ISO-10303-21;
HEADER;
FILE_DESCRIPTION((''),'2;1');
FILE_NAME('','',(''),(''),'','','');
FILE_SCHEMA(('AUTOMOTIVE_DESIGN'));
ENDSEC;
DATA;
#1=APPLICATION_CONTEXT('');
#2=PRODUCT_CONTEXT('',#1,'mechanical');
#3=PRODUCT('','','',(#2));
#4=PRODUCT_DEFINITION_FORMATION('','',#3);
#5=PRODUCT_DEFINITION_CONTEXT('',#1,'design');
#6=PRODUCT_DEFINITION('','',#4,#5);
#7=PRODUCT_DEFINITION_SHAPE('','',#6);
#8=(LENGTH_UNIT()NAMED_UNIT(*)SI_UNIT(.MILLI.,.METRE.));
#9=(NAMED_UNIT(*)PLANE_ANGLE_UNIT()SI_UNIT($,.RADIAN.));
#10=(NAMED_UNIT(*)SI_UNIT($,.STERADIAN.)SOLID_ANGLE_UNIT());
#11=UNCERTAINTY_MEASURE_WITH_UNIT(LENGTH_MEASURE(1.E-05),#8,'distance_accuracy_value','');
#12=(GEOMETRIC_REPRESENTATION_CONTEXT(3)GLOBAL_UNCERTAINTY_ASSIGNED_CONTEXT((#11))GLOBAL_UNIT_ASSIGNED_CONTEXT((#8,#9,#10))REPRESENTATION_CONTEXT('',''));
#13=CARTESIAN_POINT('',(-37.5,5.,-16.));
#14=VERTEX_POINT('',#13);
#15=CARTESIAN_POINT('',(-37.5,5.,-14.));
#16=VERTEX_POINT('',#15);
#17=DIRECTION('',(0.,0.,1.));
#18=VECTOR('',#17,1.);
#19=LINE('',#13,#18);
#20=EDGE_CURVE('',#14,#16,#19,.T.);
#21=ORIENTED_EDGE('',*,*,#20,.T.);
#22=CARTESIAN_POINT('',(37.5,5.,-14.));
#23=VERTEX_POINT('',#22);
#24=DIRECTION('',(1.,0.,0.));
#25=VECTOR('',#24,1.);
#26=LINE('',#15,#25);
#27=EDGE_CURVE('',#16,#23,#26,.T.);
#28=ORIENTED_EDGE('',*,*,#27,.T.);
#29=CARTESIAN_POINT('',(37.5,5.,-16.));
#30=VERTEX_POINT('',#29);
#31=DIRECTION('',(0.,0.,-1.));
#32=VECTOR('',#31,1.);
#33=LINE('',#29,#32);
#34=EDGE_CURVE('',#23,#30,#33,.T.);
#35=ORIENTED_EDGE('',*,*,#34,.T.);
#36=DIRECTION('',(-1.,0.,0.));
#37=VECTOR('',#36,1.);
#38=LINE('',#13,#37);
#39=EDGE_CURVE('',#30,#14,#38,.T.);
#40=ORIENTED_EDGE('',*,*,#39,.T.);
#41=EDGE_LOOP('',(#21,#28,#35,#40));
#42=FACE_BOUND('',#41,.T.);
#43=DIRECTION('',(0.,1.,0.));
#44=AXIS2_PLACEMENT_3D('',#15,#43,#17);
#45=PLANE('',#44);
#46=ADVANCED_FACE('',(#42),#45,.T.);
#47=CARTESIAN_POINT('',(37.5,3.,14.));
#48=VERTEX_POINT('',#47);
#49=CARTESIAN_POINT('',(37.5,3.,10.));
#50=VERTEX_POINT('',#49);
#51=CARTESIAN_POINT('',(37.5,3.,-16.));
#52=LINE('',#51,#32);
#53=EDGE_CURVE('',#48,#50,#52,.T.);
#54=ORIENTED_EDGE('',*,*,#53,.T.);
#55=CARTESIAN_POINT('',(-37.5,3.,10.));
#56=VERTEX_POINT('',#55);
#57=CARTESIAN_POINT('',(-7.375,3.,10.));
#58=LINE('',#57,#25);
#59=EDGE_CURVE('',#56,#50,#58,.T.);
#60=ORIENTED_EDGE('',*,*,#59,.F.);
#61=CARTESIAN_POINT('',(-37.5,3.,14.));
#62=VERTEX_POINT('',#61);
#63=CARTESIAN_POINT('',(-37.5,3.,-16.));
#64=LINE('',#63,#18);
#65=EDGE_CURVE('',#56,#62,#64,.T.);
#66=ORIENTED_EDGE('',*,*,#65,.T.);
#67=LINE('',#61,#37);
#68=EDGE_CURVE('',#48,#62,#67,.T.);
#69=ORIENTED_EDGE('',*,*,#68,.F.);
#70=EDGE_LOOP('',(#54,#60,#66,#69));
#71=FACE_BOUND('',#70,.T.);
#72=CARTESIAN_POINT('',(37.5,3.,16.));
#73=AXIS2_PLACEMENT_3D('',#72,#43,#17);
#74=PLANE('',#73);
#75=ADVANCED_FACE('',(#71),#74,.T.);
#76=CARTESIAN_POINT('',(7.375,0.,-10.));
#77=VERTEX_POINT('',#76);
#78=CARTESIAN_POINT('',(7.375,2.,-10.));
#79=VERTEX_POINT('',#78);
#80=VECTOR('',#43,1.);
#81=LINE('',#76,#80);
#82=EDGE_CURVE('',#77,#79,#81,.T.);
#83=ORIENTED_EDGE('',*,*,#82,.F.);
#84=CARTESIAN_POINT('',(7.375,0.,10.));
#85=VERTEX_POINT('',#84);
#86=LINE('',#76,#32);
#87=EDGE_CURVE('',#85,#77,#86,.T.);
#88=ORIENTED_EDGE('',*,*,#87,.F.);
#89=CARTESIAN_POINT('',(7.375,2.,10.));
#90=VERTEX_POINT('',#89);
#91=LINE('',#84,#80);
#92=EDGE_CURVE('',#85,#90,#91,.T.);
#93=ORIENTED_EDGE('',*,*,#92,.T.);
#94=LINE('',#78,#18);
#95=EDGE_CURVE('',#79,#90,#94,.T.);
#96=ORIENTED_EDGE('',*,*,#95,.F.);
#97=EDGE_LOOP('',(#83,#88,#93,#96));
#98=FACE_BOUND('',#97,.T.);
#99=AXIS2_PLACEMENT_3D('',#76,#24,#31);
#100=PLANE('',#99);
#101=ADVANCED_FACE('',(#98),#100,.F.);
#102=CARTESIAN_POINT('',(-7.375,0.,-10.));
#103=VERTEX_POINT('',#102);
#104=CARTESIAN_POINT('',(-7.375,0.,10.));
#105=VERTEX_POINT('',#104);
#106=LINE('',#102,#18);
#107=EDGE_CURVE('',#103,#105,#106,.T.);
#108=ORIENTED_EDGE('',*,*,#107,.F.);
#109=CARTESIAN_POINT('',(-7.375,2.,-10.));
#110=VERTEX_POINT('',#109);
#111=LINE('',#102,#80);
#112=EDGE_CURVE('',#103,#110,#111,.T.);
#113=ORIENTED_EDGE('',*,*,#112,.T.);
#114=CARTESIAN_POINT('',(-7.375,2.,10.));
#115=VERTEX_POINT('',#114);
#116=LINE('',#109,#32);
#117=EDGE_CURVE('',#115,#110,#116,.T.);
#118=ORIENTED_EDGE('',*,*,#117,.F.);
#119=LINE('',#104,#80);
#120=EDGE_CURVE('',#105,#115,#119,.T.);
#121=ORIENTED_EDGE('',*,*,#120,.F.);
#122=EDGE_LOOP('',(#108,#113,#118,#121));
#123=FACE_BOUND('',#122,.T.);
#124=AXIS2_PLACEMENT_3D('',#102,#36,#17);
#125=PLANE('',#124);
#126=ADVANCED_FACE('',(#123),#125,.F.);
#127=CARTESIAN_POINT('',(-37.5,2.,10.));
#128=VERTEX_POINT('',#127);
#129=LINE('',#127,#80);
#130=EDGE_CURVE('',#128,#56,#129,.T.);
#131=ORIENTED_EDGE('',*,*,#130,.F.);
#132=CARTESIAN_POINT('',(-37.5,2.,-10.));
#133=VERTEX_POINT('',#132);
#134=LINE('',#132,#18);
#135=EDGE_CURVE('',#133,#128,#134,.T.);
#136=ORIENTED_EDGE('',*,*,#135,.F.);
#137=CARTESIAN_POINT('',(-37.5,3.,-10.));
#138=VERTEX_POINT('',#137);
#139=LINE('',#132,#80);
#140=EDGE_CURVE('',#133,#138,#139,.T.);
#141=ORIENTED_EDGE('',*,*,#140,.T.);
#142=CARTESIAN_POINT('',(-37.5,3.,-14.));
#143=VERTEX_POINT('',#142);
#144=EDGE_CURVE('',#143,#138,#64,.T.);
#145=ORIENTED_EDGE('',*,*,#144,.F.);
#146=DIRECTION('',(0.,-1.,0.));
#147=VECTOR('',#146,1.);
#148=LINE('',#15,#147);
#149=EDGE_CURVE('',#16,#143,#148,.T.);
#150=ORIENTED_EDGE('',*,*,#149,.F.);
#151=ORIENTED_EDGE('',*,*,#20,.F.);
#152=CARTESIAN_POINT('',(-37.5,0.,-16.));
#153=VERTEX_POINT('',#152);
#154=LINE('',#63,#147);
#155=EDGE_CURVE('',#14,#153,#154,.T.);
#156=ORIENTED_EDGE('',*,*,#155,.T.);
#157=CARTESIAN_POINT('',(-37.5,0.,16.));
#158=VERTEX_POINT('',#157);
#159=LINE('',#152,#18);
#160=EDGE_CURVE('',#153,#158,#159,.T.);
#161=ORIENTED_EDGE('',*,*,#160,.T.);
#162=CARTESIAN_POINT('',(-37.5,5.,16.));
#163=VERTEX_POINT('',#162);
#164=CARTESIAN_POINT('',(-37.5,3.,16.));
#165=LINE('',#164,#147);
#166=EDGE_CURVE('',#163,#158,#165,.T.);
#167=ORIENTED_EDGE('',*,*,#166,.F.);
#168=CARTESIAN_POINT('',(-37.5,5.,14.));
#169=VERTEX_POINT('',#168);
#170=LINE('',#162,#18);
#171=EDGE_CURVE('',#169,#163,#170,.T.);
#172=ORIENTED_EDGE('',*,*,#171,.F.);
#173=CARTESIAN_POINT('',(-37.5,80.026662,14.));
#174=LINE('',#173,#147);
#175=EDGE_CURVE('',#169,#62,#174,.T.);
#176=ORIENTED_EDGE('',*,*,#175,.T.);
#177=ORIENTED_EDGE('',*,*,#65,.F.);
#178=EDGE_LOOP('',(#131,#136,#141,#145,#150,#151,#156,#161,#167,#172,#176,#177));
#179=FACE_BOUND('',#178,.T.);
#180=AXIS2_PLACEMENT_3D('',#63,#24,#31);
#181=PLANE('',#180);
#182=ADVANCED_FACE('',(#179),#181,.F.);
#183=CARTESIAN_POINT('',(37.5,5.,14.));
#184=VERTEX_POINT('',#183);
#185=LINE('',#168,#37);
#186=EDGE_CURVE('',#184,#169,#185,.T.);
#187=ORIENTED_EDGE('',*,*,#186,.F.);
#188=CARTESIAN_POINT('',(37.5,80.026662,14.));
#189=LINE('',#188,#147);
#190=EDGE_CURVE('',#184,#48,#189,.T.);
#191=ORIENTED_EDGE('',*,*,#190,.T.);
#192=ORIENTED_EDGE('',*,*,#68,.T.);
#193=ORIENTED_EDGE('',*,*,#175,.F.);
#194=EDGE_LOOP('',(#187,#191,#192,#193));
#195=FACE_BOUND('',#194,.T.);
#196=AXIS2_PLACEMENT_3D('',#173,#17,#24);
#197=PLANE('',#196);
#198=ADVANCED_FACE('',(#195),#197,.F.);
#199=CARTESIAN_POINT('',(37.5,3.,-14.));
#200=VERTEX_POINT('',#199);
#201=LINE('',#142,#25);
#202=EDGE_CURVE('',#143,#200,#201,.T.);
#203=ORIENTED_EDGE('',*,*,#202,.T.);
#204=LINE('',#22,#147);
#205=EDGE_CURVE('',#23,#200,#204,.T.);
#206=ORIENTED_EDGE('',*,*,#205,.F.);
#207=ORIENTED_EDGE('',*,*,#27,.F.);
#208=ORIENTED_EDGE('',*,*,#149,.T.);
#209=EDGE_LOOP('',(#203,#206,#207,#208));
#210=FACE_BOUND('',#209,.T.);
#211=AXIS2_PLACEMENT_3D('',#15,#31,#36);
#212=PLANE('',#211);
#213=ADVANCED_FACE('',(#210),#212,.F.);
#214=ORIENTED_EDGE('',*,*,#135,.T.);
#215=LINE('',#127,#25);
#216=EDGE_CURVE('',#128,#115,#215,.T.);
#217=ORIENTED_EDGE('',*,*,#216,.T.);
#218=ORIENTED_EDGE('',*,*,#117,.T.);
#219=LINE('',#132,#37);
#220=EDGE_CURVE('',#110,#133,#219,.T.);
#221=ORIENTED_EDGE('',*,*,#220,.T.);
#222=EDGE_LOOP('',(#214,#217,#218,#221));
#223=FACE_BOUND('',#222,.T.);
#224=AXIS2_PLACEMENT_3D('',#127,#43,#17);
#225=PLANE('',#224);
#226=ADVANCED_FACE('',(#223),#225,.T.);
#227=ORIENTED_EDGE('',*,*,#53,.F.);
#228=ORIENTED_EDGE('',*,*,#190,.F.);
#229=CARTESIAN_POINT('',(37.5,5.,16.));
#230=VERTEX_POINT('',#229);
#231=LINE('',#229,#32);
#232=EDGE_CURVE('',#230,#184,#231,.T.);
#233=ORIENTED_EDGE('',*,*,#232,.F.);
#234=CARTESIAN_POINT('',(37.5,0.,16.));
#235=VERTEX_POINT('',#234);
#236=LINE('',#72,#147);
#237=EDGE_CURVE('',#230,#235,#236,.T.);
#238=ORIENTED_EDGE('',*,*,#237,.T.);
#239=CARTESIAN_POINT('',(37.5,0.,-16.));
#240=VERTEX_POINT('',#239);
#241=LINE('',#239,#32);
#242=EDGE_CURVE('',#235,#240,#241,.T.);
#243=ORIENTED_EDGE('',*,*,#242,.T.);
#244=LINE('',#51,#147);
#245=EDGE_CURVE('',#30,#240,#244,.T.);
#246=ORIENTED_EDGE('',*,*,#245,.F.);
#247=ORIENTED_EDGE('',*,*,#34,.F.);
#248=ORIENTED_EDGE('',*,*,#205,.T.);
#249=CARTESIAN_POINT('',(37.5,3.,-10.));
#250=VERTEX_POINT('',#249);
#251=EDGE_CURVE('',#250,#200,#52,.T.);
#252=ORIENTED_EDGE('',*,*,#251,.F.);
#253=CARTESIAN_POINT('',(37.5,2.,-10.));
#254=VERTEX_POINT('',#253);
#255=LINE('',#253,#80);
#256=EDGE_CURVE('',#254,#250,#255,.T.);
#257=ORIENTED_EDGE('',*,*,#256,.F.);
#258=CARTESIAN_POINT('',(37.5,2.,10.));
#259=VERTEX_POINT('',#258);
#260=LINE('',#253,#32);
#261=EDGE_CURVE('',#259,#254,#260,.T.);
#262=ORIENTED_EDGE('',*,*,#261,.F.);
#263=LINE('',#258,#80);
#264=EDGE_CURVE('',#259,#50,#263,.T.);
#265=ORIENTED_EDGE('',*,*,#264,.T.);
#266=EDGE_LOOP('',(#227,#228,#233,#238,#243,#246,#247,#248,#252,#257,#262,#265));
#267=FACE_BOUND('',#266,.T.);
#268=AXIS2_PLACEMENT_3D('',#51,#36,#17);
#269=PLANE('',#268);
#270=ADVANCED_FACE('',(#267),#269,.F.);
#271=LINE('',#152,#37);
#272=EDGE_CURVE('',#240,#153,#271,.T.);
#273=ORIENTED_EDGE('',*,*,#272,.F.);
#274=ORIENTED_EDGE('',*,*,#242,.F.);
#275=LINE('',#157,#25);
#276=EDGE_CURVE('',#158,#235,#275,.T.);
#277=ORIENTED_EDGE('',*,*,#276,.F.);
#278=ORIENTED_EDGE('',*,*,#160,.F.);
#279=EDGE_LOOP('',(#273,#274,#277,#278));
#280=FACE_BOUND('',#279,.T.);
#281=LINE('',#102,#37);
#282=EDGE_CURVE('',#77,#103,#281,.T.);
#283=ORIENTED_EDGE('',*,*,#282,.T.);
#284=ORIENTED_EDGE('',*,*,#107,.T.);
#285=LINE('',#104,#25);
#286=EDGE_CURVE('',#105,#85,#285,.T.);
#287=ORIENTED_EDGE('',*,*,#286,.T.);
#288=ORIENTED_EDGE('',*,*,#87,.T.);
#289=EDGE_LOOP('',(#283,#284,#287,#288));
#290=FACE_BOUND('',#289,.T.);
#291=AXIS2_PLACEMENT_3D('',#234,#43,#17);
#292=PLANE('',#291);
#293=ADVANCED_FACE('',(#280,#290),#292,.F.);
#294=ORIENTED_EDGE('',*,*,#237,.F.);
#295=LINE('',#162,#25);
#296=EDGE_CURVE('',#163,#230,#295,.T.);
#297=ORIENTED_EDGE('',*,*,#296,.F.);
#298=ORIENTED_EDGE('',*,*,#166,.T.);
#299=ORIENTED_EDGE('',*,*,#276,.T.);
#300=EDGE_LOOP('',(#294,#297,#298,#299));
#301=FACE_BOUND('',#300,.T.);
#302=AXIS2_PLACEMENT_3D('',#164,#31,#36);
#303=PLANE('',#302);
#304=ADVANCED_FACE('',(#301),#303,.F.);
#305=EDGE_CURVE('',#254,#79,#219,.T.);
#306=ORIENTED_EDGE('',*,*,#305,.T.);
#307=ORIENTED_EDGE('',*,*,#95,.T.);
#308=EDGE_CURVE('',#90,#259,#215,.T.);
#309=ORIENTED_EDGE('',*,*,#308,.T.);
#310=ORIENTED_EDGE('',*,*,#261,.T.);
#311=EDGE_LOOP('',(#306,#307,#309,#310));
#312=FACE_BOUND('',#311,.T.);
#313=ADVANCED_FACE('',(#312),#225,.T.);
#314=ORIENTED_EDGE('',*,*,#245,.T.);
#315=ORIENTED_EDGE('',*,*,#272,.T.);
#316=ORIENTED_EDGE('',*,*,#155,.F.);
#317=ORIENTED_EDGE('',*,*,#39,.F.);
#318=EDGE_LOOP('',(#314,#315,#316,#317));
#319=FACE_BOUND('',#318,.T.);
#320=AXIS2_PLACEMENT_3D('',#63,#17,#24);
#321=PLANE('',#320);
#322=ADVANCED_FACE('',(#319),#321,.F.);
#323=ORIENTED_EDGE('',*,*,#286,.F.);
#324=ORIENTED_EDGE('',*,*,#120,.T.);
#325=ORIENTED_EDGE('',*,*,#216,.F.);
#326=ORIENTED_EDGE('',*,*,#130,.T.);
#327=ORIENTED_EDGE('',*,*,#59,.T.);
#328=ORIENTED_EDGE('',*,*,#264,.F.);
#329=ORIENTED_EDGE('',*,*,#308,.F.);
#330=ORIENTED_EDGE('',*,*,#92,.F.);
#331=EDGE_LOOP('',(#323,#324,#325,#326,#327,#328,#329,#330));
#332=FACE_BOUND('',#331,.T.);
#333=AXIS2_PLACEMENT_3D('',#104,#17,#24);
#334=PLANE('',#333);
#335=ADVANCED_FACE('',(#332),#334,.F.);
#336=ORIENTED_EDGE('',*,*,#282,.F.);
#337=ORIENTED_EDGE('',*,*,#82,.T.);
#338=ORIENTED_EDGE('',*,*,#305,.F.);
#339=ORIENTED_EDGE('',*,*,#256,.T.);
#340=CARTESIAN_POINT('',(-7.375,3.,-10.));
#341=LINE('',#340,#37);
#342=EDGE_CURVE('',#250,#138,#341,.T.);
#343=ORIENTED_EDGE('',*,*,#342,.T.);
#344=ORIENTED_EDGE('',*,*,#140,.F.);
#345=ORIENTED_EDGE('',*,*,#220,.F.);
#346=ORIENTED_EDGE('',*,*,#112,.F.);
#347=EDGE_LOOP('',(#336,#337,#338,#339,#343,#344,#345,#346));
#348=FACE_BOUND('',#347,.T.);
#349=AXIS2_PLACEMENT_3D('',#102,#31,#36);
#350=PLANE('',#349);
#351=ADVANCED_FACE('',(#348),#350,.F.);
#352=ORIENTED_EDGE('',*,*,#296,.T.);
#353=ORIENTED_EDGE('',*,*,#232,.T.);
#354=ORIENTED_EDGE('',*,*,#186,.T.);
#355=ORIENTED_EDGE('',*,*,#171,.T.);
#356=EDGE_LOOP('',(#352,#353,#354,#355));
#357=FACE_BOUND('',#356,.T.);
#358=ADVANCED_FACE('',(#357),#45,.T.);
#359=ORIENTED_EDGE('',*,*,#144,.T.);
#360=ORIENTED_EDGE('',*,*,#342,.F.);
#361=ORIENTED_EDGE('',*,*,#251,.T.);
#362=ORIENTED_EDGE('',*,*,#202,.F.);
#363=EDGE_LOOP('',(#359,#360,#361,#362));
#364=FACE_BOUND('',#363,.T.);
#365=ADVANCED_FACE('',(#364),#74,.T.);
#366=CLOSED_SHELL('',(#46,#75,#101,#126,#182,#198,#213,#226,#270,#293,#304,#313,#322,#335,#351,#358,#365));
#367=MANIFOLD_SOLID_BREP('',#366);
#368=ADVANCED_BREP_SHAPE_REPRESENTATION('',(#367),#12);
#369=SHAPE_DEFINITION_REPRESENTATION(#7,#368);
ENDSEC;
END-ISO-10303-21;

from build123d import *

# Parameters (mm, degrees)
SKETCH1_W           = 75
SKETCH1_H           = 32
BOSS_EXTRUDE1_DEPTH = 3
SKETCH2_W           = 75
SKETCH2_H           = 2
BOSS_EXTRUDE2_DEPTH = 2
SKETCH3_W           = 75
SKETCH3_H           = 2
BOSS_EXTRUDE3_DEPTH = 2
SKETCH6_W           = 14.75
SKETCH6_H           = 20
CUT_EXTRUDE3_DEPTH  = 41.880924647
SKETCH7_W           = 75
SKETCH7_H           = 20
CUT_EXTRUDE4_DEPTH  = 1


with BuildPart() as part:
    # Sketch1 → Boss-Extrude1 (new body)
    with BuildSketch(Plane(origin=(0, 0, 0), x_dir=(1, 0, 0), z_dir=(0, 1, 0))):
        Rectangle(SKETCH1_W, SKETCH1_H)
    extrude(amount=BOSS_EXTRUDE1_DEPTH)

    # Sketch2 → Boss-Extrude2 (add)
    with BuildSketch(Plane(origin=(0, 3, 0), x_dir=(1, 0, 0), z_dir=(0, 1, 0))):
        with Locations((0, 15)):
            Rectangle(SKETCH2_W, SKETCH2_H)
    extrude(amount=BOSS_EXTRUDE2_DEPTH)

    # Sketch3 → Boss-Extrude3 (add)
    with BuildSketch(Plane(origin=(0, 3, 0), x_dir=(1, 0, 0), z_dir=(0, 1, 0))):
        with Locations((0, -15)):
            Rectangle(SKETCH3_W, SKETCH3_H)
    extrude(amount=BOSS_EXTRUDE3_DEPTH)

    # Sketch6 → Cut-Extrude3 (cut, through all)
    with BuildSketch(Plane(origin=(0, 3, 0), x_dir=(1, 0, 0), z_dir=(0, 1, 0))):
        Rectangle(SKETCH6_W, SKETCH6_H)
    extrude(amount=-CUT_EXTRUDE3_DEPTH, mode=Mode.SUBTRACT)

    # Sketch7 → Cut-Extrude4 (cut)
    with BuildSketch(Plane(origin=(0, 3, 0), x_dir=(1, 0, 0), z_dir=(0, 1, 0))):
        Rectangle(SKETCH7_W, SKETCH7_H)
    extrude(amount=-CUT_EXTRUDE4_DEPTH, mode=Mode.SUBTRACT)


solid = part.part
